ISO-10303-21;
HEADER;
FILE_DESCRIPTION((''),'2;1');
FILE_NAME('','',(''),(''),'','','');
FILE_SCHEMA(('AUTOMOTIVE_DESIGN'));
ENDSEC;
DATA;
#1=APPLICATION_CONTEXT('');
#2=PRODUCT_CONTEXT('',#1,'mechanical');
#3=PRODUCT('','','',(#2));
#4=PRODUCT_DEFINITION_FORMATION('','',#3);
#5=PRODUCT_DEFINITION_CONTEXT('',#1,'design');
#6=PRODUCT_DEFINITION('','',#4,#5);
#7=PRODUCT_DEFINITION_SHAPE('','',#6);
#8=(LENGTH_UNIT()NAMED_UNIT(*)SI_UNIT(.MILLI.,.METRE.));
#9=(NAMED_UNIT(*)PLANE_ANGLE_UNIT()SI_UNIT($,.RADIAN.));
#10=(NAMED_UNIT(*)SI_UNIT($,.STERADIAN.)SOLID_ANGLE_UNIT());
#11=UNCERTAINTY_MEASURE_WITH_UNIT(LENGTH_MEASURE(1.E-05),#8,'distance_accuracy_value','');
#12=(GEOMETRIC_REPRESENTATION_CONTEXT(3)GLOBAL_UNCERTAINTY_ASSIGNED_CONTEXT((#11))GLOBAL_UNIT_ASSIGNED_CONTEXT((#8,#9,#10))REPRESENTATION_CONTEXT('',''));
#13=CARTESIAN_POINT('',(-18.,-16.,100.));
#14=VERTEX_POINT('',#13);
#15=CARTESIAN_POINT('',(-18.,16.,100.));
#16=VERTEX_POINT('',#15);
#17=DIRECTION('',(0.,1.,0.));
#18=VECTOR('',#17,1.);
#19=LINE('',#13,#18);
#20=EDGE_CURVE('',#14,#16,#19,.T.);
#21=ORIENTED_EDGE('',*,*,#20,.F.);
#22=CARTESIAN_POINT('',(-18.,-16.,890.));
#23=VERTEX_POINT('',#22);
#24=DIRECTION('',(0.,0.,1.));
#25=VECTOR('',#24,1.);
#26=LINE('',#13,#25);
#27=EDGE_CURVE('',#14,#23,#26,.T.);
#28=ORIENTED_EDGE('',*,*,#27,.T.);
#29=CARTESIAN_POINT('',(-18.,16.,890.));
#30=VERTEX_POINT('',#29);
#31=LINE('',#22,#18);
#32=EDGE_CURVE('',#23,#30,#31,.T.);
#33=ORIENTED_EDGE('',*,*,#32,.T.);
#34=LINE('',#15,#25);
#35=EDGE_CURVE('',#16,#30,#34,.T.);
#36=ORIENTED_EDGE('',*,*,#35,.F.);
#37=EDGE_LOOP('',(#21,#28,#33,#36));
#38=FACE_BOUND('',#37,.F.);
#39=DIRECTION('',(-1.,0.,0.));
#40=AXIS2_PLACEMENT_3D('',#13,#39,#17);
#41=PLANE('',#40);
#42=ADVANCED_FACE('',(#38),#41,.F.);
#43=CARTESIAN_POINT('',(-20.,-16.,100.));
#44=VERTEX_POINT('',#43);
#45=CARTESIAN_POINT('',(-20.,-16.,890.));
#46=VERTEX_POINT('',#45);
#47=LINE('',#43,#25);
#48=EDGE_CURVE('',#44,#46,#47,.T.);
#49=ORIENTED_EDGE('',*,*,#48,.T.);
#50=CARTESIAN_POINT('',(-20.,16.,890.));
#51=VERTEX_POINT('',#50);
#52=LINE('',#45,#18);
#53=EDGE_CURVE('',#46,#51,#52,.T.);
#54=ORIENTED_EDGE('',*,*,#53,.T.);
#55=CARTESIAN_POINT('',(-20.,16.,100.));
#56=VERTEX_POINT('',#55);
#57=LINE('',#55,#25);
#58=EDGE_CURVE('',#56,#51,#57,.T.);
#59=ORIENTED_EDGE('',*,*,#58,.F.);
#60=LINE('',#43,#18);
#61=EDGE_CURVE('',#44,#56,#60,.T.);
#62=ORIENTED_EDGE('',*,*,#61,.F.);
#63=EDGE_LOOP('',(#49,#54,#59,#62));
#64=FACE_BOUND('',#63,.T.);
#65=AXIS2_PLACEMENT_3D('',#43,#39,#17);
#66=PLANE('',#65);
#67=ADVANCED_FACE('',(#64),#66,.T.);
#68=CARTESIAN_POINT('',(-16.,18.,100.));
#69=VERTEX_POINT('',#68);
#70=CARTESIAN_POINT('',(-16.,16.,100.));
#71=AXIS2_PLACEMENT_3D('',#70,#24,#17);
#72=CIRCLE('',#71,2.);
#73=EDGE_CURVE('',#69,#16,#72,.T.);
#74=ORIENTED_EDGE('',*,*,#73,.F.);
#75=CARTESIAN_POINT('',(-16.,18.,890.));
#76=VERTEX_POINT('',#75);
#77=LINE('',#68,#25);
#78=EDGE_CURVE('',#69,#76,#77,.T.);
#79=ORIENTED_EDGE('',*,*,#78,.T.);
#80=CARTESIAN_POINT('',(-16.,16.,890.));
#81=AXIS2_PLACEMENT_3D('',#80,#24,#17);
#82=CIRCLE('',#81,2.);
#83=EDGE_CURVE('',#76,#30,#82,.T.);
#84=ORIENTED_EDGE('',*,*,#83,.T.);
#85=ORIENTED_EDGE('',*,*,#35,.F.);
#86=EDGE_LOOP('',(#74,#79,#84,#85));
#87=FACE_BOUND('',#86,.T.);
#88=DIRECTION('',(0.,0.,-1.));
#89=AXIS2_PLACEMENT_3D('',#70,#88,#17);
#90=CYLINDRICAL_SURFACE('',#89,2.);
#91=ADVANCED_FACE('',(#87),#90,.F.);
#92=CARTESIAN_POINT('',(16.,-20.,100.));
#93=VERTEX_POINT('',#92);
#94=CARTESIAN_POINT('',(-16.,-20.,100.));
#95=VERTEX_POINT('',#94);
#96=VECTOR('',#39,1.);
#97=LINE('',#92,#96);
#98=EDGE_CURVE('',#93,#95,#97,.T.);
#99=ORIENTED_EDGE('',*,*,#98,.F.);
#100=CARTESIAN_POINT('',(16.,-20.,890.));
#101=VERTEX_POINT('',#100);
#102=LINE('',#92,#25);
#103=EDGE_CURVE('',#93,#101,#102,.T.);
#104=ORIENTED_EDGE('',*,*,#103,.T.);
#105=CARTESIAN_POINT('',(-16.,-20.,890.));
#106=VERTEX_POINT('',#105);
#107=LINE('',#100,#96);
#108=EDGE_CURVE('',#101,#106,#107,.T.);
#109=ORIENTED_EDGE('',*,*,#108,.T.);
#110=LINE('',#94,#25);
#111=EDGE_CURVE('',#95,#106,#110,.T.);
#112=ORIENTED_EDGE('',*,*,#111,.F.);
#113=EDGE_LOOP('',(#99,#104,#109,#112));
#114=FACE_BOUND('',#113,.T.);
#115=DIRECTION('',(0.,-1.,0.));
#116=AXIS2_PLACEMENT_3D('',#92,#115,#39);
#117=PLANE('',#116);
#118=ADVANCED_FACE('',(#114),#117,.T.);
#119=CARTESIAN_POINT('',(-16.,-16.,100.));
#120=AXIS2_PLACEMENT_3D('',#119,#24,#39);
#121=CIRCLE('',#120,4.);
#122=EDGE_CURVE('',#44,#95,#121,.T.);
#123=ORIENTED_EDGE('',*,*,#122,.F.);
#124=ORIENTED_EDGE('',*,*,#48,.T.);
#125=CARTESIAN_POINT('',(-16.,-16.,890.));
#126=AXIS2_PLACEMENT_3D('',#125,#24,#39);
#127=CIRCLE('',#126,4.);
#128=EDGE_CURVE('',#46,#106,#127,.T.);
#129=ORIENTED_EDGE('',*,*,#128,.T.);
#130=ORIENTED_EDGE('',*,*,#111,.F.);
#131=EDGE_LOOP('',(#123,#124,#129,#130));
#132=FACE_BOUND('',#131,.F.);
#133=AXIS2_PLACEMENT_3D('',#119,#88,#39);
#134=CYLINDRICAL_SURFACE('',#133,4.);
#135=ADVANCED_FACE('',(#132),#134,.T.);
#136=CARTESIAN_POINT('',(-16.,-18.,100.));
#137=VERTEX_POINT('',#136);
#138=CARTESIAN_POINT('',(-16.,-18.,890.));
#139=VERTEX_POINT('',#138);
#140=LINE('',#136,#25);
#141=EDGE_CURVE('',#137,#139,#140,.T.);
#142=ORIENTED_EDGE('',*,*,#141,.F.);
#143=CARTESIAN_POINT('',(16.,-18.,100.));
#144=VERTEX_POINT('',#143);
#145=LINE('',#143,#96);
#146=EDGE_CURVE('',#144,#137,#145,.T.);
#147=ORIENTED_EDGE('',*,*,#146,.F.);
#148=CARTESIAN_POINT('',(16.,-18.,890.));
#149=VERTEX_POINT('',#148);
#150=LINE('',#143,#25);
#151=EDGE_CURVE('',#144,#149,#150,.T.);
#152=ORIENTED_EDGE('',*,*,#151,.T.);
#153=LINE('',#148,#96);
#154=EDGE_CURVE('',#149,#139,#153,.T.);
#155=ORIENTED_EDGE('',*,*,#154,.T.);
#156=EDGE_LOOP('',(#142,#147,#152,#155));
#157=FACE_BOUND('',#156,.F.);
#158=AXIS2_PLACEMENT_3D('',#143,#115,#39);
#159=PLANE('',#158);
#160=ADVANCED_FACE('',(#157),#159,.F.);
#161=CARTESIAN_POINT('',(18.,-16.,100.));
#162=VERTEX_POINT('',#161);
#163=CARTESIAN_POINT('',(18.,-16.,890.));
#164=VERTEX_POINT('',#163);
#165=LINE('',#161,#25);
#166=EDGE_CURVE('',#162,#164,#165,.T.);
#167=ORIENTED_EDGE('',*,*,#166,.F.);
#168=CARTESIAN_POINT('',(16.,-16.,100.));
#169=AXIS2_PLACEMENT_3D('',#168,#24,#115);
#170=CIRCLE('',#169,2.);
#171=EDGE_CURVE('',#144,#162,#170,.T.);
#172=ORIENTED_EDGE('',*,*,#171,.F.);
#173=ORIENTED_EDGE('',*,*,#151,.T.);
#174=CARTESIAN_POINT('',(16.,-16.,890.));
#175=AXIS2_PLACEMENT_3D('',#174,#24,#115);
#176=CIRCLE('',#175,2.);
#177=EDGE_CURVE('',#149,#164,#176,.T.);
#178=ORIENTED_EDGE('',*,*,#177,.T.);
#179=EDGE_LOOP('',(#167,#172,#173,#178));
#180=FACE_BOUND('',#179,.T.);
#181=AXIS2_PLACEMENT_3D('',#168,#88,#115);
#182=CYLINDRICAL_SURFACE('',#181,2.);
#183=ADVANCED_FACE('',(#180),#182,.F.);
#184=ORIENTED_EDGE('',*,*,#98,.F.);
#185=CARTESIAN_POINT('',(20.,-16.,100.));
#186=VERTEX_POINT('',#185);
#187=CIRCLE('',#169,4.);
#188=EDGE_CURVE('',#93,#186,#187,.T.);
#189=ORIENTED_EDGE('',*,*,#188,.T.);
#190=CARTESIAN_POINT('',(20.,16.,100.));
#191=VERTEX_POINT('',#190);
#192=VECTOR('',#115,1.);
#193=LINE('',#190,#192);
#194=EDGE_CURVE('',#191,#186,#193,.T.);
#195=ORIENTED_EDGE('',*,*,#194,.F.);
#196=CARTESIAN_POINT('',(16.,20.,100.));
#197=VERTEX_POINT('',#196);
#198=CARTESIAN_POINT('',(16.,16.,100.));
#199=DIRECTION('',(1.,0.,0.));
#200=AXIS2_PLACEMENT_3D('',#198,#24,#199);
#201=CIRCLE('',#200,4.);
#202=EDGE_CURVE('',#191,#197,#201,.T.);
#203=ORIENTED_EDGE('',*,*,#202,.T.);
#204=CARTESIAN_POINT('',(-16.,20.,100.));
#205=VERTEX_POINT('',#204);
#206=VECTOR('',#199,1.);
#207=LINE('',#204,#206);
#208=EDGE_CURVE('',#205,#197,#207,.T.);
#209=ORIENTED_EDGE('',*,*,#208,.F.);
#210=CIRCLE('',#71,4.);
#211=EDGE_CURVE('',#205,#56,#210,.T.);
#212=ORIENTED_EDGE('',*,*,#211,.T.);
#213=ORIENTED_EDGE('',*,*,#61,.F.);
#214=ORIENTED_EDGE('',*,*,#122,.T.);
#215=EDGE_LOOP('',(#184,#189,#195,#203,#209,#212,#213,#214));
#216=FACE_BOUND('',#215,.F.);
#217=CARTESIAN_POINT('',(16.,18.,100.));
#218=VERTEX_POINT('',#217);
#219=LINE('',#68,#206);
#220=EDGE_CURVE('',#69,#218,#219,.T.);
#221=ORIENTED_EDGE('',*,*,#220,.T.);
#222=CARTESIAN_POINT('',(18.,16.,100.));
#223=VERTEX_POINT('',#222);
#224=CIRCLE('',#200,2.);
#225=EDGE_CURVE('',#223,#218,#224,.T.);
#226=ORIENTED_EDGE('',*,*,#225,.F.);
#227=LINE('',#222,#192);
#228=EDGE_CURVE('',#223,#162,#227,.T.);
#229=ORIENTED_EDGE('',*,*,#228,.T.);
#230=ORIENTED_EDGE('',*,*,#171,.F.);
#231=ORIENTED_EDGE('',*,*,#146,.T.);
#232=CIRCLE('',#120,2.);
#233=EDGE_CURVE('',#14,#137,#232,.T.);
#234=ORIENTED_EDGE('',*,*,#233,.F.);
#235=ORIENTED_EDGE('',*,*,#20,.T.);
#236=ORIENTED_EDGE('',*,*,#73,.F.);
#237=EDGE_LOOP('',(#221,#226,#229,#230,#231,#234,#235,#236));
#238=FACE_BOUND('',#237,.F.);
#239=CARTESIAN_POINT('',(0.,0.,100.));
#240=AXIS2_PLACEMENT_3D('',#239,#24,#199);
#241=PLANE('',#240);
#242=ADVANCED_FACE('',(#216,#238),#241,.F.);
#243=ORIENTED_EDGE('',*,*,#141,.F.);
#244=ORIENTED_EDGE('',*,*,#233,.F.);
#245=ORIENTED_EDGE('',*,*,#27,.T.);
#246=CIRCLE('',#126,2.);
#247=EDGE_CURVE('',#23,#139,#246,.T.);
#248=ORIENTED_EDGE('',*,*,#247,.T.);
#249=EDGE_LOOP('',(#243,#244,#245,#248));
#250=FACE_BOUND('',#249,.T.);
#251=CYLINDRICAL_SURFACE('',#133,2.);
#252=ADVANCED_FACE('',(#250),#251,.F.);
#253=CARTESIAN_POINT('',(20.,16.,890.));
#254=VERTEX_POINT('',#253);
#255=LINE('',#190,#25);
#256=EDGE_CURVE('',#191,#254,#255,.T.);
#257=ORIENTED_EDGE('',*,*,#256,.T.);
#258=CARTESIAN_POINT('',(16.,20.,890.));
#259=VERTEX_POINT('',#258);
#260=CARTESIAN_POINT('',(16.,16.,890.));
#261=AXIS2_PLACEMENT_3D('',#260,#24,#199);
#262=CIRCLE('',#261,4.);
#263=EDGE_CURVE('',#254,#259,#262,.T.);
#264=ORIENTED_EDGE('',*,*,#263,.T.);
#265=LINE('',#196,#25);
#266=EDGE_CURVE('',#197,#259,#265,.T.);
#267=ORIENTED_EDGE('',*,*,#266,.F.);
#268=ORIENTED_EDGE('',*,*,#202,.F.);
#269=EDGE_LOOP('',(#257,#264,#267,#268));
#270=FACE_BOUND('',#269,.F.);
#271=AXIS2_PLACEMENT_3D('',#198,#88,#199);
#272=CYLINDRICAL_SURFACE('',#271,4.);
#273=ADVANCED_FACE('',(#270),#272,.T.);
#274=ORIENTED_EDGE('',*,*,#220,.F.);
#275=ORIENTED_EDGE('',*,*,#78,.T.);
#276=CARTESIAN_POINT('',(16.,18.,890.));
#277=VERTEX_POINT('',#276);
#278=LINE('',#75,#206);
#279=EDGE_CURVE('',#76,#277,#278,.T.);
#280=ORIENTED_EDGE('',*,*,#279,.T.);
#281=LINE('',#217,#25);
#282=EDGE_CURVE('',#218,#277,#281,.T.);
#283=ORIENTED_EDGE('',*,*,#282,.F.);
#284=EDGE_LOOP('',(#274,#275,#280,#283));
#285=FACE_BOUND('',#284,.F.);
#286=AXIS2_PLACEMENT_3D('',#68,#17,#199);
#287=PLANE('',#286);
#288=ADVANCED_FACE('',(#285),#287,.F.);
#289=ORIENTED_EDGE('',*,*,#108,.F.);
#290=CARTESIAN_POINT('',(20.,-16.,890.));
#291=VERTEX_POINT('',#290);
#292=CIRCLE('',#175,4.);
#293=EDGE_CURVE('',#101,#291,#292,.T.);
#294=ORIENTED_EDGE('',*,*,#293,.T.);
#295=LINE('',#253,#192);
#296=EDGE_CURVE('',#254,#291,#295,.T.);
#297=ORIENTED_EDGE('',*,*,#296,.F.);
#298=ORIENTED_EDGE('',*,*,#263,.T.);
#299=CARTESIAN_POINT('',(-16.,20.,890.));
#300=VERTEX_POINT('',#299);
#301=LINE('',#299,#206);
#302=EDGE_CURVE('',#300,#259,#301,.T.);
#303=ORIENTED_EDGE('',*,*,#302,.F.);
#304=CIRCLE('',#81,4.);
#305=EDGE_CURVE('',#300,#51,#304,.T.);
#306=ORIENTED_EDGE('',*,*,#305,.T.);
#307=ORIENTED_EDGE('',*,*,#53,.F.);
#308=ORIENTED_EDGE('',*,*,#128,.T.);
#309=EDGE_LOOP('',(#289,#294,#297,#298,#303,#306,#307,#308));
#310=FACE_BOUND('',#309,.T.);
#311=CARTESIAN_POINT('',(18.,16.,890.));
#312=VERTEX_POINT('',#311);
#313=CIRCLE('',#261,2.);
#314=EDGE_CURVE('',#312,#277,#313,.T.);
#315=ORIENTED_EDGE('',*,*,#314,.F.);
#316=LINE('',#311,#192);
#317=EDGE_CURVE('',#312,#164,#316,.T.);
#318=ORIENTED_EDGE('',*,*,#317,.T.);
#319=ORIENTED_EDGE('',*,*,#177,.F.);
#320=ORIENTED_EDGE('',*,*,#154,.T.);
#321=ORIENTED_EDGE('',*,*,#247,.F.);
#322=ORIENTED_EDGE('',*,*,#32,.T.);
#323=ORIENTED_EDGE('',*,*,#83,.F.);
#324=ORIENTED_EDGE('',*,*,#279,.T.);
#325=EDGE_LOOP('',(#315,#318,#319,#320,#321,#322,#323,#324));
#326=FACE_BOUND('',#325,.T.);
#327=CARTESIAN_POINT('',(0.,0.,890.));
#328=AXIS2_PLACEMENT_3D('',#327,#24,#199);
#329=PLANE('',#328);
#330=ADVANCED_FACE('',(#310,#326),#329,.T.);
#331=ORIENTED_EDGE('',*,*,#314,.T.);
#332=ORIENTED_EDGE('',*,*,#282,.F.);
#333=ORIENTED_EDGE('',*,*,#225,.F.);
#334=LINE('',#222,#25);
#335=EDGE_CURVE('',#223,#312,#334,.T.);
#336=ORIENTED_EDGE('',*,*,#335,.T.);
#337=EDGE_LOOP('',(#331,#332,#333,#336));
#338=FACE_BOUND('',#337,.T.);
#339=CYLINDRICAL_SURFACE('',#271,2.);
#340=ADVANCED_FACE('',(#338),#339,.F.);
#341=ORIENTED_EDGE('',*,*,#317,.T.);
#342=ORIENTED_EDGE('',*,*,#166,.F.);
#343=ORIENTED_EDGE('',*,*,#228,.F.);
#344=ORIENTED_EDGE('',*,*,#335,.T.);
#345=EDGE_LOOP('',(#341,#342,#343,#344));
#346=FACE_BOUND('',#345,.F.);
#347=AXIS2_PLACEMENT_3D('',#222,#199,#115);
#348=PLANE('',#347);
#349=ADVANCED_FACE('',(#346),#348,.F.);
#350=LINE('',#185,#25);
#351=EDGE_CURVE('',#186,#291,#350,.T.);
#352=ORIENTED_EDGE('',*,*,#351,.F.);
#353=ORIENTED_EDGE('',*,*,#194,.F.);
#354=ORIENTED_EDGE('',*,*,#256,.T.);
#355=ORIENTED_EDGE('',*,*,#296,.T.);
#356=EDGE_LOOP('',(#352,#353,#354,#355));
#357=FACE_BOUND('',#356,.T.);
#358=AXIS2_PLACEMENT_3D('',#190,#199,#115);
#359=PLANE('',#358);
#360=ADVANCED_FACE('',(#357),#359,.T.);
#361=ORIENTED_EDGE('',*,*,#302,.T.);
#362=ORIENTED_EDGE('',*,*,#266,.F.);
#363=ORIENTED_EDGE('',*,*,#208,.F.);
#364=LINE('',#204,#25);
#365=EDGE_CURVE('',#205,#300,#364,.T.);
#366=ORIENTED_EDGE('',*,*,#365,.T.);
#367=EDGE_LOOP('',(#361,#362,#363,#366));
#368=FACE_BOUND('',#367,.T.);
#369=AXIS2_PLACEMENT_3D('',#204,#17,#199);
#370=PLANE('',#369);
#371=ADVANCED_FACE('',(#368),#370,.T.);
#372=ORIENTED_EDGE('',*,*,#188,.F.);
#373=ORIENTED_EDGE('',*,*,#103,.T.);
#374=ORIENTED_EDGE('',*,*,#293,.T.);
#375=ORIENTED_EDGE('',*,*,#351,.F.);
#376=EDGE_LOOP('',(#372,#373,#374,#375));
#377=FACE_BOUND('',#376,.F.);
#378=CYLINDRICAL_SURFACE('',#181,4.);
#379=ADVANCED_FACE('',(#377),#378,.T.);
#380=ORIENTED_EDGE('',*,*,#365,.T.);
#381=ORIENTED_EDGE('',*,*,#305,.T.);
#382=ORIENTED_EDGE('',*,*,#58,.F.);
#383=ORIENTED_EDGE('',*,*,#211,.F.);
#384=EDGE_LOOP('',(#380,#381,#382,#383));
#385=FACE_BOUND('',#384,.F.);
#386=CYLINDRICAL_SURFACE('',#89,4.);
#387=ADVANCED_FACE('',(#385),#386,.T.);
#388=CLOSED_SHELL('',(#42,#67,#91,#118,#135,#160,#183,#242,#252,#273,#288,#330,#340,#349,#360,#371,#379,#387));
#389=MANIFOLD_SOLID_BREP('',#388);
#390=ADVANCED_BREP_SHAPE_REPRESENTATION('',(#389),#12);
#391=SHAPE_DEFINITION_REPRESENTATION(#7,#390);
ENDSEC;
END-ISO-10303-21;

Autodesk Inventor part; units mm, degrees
ref_plane "YZ Plane" through (0, 0, 0) normal (1, 0, 0) x (0, 1, 0)
ref_plane "Start Plane" through (0, 0, 100) normal (0, 0, 1) x (1, 0, 0)
ref_plane "End Plane" through (0, 0, 890) normal (0, 0, 1) x (1, 0, 0)
sketch "Sketch" plane through (0, 0, 0) normal (0, 0, 1) x (1, 0, 0)
  line L0 (-20, -16) -> (-20, 16)
  line L1 (-16, 20) -> (16, 20)
  line L2 (20, 16) -> (20, -16)
  line L3 (16, -20) -> (-16, -20)
  arc A0 (-20, -16) -> (-16, -20) centre (-16, -16) ccw
  arc A1 (20, 16) -> (16, 20) centre (16, 16) ccw
  arc A2 (-16, 20) -> (-20, 16) centre (-16, 16) ccw
  arc A3 (16, -20) -> (20, -16) centre (16, -16) ccw
  arc A4 (-16, 18) -> (-18, 16) centre (-16, 16) ccw
  line L4 (-16, 18) -> (16, 18)
  arc A5 (18, 16) -> (16, 18) centre (16, 16) ccw
  line L5 (18, 16) -> (18, -16)
  arc A6 (16, -18) -> (18, -16) centre (16, -16) ccw
  line L6 (16, -18) -> (-16, -18)
  arc A7 (-18, -16) -> (-16, -18) centre (-16, -16) ccw
  line L7 (-18, -16) -> (-18, 16)
  line L8 (0, 29.1598) -> (0, -29.1598) construction
  line L9 (-29.1598, 0) -> (29.1598, 0) construction
  dimension "d7" = 4
  dimension "d9" = 40
  dimension "d11" = 40
  dimension "d12" = 2
  dimension "d15" = 20
  dimension "d16" = 20
extrude "Body" add sketch "Sketch" along normal up to surface (790 mm away) from surface at 100
sketch "Sketch3" plane through (0, 0, 0) normal (0, 0, 1) x (1, 0, 0)
  line L0 (0, 0) -> (10, 0)
ref_plane "Work Plane3" through (0, 0, 0) normal (0, -1, 0) x (1, 0, 0)
sketch "Sketch4" plane through (0, 0, 0) normal (0, -1, 0) x (1, 0, 0)
  line L0 (-2, 100) -> (12, 100) projected
  line L1 (-2, 890) -> (12, 890) projected
  dimension "d18" = 790
equation "\"d7\" = G_IR"
equation "\"d9\" = G_W"
equation "\"d11\" = G_H"
equation "\"d12\" = G_T"
equation "\"d15\" = 0.5 * d9"
equation "\"d16\" = 0.5 * d11"
equation "\"d3\" = G_L"
equation "\"G_W\" = 40"
equation "\"G_H\" = 40"
equation "\"G_T\" = 2"
equation "\"G_IR\" = 4"
equation "\"G_L\" = d18"
equation "\"G_OFFSET_END\" = 0"
properties part number "ISO 10799-2 - 40x40x2 - 790" material "Steel, Mild"
